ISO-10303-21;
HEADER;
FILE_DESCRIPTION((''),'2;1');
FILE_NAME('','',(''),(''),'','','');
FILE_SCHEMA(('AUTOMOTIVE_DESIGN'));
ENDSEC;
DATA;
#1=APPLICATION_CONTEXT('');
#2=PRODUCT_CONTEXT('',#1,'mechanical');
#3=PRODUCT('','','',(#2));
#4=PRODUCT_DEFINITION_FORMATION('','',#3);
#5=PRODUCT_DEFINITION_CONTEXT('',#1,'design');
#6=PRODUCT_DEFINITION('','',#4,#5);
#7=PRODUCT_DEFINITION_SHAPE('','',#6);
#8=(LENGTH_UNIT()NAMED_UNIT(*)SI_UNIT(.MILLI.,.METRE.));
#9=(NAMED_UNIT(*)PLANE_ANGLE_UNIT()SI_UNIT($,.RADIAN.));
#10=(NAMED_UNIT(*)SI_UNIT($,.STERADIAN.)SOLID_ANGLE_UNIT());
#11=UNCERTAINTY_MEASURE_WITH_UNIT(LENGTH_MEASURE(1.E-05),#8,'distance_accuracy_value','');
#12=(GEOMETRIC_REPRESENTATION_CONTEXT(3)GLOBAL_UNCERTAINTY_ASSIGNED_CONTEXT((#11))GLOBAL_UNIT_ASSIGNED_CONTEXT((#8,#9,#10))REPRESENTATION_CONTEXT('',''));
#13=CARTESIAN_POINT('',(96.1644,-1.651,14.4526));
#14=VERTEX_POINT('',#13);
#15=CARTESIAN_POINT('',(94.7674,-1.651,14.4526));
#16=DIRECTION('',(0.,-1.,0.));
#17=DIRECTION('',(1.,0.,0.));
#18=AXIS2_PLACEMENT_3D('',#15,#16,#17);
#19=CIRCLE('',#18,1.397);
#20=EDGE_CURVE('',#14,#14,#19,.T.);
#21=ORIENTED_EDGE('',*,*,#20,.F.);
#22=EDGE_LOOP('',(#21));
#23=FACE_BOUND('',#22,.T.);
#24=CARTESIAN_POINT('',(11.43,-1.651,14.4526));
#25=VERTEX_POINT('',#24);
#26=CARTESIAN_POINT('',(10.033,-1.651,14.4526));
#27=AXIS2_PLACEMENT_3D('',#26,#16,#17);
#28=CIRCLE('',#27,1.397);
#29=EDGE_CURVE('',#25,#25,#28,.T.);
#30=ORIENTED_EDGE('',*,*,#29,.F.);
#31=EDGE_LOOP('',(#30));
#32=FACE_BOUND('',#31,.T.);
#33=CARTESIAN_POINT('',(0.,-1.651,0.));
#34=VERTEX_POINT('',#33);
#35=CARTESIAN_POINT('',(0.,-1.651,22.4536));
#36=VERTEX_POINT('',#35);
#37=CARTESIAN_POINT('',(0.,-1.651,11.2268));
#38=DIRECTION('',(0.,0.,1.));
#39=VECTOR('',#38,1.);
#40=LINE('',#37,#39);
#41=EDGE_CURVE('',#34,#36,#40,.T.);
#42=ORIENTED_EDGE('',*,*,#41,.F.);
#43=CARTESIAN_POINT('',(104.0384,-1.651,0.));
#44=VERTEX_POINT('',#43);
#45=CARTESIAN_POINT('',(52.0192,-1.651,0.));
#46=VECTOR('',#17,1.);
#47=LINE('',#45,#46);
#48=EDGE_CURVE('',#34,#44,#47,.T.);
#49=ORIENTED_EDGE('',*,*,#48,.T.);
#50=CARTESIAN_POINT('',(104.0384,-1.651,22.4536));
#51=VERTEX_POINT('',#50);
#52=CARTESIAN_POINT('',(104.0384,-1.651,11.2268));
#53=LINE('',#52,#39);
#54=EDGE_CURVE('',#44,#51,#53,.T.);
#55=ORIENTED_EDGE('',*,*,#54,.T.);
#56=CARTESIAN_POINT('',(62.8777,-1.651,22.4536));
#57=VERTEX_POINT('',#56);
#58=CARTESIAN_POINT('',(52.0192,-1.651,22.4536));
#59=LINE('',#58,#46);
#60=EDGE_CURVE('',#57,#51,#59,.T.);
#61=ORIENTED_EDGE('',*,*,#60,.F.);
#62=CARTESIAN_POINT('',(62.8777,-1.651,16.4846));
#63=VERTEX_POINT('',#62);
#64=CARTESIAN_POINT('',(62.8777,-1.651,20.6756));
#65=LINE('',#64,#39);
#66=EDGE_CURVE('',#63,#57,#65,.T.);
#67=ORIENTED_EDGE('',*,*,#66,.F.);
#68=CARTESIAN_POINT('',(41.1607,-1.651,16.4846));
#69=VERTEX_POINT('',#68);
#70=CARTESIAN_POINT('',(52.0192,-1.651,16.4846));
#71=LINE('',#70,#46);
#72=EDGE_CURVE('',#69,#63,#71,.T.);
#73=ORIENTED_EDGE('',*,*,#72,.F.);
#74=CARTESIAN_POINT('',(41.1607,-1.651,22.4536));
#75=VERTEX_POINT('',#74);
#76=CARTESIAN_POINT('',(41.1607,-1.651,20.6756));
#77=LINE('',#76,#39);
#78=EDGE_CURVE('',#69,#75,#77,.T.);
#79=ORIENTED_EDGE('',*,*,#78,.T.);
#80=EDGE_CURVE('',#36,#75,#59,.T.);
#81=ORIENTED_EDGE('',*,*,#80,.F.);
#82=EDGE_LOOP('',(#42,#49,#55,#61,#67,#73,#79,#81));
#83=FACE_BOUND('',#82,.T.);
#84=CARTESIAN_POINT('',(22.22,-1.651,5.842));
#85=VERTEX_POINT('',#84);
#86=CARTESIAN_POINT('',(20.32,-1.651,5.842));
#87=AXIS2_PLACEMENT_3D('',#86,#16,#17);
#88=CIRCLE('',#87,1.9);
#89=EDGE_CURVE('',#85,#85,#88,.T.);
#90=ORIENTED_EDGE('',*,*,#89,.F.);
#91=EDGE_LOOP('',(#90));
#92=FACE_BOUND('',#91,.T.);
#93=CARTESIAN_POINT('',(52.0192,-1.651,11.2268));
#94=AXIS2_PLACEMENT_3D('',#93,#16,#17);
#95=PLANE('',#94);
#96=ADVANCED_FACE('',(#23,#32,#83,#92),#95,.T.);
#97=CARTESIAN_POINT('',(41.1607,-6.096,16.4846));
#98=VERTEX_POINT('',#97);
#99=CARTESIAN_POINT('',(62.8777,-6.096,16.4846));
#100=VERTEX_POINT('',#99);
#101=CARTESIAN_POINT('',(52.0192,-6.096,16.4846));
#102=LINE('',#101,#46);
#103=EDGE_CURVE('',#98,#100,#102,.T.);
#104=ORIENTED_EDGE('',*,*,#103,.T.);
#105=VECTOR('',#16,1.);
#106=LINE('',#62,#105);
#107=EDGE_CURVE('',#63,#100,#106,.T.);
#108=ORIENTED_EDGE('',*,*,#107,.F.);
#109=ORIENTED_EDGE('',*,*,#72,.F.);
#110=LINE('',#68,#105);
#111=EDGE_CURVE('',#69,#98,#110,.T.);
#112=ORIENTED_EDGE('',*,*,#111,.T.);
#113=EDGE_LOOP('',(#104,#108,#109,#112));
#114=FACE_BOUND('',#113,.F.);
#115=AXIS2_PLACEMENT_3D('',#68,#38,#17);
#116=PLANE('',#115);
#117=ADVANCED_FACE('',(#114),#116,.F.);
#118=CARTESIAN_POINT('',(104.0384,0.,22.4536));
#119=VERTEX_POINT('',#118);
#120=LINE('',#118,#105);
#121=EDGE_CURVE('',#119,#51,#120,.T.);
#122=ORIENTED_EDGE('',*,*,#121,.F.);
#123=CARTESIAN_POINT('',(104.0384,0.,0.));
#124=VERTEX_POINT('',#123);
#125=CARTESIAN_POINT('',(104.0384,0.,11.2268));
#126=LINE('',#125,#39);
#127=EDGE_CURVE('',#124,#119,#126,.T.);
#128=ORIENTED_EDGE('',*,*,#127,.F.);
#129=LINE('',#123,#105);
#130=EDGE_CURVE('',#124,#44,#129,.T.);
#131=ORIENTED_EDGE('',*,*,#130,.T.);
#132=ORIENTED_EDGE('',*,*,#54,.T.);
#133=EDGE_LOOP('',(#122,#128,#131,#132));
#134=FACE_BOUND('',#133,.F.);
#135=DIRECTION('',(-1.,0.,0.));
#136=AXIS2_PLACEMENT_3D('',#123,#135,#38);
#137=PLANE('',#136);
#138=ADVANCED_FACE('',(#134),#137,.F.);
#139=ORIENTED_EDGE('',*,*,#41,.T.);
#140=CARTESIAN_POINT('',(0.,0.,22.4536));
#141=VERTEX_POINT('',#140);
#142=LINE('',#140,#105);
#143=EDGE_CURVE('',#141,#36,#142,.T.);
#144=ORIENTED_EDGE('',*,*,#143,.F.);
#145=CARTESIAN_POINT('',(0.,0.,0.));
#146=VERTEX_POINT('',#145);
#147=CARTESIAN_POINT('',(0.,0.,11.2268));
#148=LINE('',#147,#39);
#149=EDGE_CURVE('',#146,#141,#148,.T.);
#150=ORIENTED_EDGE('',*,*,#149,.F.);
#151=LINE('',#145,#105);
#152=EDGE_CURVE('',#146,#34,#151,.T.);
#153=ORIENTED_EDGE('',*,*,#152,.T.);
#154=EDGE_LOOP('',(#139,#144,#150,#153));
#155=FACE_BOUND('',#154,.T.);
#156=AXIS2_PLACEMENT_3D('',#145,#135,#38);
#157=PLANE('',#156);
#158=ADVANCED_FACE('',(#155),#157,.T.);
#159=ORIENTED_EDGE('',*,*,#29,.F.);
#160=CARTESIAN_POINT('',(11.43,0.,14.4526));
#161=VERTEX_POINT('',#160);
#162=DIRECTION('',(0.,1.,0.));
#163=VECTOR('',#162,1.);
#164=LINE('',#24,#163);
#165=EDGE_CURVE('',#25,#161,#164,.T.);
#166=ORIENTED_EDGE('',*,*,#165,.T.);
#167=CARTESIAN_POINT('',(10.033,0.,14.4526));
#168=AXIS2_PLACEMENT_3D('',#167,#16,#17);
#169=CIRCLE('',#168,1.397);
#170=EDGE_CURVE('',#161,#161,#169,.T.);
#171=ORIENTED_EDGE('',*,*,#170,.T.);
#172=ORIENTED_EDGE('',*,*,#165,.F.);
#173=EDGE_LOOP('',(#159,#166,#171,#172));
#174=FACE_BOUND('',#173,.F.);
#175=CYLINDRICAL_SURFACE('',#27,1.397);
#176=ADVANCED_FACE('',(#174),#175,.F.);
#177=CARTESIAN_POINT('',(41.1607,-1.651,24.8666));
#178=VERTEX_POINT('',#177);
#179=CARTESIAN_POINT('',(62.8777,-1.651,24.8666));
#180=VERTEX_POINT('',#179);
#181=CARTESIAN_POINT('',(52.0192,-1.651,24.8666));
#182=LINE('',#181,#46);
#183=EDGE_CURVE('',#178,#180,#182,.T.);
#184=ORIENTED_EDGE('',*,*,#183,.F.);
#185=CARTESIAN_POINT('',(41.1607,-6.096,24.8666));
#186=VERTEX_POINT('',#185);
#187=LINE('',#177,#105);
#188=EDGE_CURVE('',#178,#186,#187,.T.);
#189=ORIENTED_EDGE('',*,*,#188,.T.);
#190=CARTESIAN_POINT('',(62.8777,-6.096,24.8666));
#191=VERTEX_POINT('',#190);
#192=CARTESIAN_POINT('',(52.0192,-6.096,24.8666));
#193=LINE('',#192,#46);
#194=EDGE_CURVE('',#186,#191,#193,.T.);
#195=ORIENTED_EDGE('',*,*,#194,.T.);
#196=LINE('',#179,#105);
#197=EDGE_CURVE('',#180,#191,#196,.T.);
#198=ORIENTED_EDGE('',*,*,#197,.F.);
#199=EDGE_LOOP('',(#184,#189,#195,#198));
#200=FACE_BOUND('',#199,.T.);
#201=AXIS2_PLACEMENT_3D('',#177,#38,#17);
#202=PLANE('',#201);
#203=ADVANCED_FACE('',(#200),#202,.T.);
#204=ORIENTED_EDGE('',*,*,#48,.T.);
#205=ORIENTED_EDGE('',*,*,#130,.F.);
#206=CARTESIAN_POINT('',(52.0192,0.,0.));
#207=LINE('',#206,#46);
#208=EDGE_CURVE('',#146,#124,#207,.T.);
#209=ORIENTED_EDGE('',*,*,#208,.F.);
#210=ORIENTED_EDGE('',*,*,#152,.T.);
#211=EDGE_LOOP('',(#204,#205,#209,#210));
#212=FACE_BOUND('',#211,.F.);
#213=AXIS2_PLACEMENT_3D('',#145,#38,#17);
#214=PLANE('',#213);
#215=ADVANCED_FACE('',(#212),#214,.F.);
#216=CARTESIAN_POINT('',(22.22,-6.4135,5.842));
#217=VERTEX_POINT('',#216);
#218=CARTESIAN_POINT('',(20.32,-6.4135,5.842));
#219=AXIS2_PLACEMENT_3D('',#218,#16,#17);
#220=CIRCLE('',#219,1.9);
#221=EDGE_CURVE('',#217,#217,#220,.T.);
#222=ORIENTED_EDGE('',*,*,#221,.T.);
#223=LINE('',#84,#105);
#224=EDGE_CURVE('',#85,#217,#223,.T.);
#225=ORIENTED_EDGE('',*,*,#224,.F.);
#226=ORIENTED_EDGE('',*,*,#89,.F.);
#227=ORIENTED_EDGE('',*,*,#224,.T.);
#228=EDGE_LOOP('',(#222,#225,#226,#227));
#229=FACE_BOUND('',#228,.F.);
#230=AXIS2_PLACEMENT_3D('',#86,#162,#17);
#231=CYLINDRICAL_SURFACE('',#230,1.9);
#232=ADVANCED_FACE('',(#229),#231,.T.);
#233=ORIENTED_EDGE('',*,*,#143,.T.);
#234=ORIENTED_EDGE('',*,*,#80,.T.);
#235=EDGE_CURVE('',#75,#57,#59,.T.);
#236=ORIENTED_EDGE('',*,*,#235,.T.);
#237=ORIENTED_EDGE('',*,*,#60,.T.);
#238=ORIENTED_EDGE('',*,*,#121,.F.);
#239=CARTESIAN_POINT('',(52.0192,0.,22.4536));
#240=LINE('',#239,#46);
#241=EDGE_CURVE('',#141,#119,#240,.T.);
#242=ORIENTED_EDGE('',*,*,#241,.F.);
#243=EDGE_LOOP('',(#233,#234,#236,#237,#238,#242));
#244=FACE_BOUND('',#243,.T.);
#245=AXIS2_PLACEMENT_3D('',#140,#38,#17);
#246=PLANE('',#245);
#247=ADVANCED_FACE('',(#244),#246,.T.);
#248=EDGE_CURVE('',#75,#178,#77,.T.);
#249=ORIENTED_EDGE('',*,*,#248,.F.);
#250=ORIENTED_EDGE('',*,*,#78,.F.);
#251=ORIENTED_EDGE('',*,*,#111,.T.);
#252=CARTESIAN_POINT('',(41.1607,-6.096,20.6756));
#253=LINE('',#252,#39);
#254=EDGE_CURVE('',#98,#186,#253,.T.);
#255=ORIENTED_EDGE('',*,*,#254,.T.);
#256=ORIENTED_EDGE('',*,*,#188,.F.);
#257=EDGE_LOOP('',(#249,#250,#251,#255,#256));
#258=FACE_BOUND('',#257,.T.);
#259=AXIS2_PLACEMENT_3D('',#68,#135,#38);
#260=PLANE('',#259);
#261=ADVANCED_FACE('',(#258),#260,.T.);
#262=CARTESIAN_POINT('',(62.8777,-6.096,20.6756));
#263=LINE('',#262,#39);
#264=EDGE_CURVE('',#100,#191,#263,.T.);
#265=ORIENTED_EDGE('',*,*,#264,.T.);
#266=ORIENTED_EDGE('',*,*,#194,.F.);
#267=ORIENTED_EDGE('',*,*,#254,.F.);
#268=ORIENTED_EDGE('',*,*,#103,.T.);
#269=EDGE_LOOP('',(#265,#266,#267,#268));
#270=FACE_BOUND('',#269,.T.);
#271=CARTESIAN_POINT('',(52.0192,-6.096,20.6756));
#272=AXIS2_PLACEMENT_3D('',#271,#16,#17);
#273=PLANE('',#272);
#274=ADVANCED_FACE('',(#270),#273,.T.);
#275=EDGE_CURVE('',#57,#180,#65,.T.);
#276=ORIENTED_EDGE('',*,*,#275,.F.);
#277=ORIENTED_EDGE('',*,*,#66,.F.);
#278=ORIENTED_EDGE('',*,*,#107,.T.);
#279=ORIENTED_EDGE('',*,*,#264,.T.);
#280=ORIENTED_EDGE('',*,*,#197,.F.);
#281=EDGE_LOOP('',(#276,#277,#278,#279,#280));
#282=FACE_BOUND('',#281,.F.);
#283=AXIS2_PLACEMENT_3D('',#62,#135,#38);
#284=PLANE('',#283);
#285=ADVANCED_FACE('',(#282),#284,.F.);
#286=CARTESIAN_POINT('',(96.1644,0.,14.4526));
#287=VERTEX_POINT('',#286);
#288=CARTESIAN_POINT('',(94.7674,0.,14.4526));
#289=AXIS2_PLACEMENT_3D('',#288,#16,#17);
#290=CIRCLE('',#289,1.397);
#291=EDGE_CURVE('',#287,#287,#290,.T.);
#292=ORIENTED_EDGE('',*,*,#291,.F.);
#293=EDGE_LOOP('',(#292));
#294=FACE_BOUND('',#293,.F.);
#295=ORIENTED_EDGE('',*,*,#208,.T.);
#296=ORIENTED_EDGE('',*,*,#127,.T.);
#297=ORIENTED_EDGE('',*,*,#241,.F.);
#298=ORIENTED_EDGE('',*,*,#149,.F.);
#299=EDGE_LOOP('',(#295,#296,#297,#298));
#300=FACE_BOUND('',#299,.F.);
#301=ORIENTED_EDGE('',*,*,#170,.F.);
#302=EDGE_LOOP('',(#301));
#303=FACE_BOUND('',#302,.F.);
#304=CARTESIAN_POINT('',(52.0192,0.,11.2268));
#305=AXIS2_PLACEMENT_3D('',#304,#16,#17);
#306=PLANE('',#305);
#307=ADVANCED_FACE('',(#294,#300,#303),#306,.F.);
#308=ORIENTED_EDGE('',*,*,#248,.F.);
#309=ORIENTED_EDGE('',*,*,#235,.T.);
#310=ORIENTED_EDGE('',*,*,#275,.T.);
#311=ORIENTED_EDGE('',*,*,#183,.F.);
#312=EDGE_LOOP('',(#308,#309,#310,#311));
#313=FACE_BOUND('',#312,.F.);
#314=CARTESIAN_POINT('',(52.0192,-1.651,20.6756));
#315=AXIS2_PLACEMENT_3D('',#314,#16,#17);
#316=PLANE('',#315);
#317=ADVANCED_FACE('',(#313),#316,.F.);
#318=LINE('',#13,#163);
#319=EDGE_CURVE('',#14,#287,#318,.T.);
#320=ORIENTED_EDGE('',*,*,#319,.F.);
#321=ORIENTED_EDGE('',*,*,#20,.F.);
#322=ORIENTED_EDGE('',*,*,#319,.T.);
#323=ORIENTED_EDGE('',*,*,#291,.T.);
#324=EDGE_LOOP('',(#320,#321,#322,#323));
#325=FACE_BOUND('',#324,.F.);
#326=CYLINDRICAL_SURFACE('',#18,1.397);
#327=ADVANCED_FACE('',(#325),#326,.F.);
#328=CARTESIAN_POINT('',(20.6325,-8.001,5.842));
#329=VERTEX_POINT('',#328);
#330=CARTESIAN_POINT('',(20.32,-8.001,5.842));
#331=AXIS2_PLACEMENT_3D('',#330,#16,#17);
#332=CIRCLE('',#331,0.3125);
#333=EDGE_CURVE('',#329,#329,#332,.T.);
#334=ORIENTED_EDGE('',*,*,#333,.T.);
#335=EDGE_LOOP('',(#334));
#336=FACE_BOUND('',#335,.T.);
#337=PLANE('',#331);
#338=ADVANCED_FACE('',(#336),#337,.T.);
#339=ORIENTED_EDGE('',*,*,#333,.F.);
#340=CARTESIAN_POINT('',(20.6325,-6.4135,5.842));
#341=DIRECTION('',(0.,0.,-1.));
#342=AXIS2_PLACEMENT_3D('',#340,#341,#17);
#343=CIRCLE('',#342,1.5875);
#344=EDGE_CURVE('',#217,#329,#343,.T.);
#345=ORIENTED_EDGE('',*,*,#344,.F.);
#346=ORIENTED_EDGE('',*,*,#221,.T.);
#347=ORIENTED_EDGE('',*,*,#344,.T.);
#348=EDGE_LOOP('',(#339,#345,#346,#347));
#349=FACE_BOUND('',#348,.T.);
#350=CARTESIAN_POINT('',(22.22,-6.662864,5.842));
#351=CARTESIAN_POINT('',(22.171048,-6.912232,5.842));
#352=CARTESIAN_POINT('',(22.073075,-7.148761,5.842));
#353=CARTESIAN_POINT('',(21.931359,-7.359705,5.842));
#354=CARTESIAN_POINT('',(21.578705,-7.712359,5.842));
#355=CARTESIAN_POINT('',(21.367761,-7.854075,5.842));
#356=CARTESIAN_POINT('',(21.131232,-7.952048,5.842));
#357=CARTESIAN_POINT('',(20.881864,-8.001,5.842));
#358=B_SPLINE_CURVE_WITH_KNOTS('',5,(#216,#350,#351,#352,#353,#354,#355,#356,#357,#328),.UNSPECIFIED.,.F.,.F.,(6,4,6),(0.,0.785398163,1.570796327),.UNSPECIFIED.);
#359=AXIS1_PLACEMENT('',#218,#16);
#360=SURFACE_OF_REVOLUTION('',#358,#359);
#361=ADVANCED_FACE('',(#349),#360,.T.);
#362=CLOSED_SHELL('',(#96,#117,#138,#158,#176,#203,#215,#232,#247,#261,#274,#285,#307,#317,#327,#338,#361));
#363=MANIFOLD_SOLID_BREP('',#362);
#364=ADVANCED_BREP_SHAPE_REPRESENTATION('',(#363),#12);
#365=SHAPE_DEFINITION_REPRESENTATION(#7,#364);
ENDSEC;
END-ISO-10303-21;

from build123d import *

# Parameters (mm, degrees)
F0_W     = 104.0384
F0_H     = 22.4536
F1_DEPTH = 1.651
F2_R     = 1.9
F3_DEPTH = 6.35
F4_R     = 1.5875
F5_R     = 1.397
F6_DEPTH = 1.651
F7_W     = 21.717
F7_H     = 8.382
F8_DEPTH = 4.445


with BuildPart() as f1:
    # F0 (on Front) → F1 (new body)
    with BuildSketch(Plane.XZ):
        with Locations((52.0192, 11.2268)):
            Rectangle(F0_W, F0_H)
    extrude(amount=F1_DEPTH)

    # F2 (on face) → F3 (join)
    with BuildSketch(Plane.XZ.offset(1.651)):
        with Locations((20.32, 5.842)):
            Circle(F2_R)
    extrude(amount=F3_DEPTH)

    # F4
    f4_edges = [f1.edges().sort_by_distance(p)[0] for p in [
        (18.42, -8.001, 5.842),
    ]]
    fillet(f4_edges, radius=F4_R)

    # F5 (on face) → F6 (cut, through all)
    with BuildSketch(Plane.XZ.offset(1.651)):
        with Locations((10.033, 14.4526)):
            Circle(F5_R)
        with Locations((94.7674, 14.4526)):
            Circle(F5_R)
    extrude(amount=-F6_DEPTH, mode=Mode.SUBTRACT)

    # F7 (on face) → F8 (join)
    with BuildSketch(Plane.XZ.offset(1.651)):
        with Locations((52.0192, 20.6756)):
            Rectangle(F7_W, F7_H)
    extrude(amount=F8_DEPTH)


solid = f1.part
